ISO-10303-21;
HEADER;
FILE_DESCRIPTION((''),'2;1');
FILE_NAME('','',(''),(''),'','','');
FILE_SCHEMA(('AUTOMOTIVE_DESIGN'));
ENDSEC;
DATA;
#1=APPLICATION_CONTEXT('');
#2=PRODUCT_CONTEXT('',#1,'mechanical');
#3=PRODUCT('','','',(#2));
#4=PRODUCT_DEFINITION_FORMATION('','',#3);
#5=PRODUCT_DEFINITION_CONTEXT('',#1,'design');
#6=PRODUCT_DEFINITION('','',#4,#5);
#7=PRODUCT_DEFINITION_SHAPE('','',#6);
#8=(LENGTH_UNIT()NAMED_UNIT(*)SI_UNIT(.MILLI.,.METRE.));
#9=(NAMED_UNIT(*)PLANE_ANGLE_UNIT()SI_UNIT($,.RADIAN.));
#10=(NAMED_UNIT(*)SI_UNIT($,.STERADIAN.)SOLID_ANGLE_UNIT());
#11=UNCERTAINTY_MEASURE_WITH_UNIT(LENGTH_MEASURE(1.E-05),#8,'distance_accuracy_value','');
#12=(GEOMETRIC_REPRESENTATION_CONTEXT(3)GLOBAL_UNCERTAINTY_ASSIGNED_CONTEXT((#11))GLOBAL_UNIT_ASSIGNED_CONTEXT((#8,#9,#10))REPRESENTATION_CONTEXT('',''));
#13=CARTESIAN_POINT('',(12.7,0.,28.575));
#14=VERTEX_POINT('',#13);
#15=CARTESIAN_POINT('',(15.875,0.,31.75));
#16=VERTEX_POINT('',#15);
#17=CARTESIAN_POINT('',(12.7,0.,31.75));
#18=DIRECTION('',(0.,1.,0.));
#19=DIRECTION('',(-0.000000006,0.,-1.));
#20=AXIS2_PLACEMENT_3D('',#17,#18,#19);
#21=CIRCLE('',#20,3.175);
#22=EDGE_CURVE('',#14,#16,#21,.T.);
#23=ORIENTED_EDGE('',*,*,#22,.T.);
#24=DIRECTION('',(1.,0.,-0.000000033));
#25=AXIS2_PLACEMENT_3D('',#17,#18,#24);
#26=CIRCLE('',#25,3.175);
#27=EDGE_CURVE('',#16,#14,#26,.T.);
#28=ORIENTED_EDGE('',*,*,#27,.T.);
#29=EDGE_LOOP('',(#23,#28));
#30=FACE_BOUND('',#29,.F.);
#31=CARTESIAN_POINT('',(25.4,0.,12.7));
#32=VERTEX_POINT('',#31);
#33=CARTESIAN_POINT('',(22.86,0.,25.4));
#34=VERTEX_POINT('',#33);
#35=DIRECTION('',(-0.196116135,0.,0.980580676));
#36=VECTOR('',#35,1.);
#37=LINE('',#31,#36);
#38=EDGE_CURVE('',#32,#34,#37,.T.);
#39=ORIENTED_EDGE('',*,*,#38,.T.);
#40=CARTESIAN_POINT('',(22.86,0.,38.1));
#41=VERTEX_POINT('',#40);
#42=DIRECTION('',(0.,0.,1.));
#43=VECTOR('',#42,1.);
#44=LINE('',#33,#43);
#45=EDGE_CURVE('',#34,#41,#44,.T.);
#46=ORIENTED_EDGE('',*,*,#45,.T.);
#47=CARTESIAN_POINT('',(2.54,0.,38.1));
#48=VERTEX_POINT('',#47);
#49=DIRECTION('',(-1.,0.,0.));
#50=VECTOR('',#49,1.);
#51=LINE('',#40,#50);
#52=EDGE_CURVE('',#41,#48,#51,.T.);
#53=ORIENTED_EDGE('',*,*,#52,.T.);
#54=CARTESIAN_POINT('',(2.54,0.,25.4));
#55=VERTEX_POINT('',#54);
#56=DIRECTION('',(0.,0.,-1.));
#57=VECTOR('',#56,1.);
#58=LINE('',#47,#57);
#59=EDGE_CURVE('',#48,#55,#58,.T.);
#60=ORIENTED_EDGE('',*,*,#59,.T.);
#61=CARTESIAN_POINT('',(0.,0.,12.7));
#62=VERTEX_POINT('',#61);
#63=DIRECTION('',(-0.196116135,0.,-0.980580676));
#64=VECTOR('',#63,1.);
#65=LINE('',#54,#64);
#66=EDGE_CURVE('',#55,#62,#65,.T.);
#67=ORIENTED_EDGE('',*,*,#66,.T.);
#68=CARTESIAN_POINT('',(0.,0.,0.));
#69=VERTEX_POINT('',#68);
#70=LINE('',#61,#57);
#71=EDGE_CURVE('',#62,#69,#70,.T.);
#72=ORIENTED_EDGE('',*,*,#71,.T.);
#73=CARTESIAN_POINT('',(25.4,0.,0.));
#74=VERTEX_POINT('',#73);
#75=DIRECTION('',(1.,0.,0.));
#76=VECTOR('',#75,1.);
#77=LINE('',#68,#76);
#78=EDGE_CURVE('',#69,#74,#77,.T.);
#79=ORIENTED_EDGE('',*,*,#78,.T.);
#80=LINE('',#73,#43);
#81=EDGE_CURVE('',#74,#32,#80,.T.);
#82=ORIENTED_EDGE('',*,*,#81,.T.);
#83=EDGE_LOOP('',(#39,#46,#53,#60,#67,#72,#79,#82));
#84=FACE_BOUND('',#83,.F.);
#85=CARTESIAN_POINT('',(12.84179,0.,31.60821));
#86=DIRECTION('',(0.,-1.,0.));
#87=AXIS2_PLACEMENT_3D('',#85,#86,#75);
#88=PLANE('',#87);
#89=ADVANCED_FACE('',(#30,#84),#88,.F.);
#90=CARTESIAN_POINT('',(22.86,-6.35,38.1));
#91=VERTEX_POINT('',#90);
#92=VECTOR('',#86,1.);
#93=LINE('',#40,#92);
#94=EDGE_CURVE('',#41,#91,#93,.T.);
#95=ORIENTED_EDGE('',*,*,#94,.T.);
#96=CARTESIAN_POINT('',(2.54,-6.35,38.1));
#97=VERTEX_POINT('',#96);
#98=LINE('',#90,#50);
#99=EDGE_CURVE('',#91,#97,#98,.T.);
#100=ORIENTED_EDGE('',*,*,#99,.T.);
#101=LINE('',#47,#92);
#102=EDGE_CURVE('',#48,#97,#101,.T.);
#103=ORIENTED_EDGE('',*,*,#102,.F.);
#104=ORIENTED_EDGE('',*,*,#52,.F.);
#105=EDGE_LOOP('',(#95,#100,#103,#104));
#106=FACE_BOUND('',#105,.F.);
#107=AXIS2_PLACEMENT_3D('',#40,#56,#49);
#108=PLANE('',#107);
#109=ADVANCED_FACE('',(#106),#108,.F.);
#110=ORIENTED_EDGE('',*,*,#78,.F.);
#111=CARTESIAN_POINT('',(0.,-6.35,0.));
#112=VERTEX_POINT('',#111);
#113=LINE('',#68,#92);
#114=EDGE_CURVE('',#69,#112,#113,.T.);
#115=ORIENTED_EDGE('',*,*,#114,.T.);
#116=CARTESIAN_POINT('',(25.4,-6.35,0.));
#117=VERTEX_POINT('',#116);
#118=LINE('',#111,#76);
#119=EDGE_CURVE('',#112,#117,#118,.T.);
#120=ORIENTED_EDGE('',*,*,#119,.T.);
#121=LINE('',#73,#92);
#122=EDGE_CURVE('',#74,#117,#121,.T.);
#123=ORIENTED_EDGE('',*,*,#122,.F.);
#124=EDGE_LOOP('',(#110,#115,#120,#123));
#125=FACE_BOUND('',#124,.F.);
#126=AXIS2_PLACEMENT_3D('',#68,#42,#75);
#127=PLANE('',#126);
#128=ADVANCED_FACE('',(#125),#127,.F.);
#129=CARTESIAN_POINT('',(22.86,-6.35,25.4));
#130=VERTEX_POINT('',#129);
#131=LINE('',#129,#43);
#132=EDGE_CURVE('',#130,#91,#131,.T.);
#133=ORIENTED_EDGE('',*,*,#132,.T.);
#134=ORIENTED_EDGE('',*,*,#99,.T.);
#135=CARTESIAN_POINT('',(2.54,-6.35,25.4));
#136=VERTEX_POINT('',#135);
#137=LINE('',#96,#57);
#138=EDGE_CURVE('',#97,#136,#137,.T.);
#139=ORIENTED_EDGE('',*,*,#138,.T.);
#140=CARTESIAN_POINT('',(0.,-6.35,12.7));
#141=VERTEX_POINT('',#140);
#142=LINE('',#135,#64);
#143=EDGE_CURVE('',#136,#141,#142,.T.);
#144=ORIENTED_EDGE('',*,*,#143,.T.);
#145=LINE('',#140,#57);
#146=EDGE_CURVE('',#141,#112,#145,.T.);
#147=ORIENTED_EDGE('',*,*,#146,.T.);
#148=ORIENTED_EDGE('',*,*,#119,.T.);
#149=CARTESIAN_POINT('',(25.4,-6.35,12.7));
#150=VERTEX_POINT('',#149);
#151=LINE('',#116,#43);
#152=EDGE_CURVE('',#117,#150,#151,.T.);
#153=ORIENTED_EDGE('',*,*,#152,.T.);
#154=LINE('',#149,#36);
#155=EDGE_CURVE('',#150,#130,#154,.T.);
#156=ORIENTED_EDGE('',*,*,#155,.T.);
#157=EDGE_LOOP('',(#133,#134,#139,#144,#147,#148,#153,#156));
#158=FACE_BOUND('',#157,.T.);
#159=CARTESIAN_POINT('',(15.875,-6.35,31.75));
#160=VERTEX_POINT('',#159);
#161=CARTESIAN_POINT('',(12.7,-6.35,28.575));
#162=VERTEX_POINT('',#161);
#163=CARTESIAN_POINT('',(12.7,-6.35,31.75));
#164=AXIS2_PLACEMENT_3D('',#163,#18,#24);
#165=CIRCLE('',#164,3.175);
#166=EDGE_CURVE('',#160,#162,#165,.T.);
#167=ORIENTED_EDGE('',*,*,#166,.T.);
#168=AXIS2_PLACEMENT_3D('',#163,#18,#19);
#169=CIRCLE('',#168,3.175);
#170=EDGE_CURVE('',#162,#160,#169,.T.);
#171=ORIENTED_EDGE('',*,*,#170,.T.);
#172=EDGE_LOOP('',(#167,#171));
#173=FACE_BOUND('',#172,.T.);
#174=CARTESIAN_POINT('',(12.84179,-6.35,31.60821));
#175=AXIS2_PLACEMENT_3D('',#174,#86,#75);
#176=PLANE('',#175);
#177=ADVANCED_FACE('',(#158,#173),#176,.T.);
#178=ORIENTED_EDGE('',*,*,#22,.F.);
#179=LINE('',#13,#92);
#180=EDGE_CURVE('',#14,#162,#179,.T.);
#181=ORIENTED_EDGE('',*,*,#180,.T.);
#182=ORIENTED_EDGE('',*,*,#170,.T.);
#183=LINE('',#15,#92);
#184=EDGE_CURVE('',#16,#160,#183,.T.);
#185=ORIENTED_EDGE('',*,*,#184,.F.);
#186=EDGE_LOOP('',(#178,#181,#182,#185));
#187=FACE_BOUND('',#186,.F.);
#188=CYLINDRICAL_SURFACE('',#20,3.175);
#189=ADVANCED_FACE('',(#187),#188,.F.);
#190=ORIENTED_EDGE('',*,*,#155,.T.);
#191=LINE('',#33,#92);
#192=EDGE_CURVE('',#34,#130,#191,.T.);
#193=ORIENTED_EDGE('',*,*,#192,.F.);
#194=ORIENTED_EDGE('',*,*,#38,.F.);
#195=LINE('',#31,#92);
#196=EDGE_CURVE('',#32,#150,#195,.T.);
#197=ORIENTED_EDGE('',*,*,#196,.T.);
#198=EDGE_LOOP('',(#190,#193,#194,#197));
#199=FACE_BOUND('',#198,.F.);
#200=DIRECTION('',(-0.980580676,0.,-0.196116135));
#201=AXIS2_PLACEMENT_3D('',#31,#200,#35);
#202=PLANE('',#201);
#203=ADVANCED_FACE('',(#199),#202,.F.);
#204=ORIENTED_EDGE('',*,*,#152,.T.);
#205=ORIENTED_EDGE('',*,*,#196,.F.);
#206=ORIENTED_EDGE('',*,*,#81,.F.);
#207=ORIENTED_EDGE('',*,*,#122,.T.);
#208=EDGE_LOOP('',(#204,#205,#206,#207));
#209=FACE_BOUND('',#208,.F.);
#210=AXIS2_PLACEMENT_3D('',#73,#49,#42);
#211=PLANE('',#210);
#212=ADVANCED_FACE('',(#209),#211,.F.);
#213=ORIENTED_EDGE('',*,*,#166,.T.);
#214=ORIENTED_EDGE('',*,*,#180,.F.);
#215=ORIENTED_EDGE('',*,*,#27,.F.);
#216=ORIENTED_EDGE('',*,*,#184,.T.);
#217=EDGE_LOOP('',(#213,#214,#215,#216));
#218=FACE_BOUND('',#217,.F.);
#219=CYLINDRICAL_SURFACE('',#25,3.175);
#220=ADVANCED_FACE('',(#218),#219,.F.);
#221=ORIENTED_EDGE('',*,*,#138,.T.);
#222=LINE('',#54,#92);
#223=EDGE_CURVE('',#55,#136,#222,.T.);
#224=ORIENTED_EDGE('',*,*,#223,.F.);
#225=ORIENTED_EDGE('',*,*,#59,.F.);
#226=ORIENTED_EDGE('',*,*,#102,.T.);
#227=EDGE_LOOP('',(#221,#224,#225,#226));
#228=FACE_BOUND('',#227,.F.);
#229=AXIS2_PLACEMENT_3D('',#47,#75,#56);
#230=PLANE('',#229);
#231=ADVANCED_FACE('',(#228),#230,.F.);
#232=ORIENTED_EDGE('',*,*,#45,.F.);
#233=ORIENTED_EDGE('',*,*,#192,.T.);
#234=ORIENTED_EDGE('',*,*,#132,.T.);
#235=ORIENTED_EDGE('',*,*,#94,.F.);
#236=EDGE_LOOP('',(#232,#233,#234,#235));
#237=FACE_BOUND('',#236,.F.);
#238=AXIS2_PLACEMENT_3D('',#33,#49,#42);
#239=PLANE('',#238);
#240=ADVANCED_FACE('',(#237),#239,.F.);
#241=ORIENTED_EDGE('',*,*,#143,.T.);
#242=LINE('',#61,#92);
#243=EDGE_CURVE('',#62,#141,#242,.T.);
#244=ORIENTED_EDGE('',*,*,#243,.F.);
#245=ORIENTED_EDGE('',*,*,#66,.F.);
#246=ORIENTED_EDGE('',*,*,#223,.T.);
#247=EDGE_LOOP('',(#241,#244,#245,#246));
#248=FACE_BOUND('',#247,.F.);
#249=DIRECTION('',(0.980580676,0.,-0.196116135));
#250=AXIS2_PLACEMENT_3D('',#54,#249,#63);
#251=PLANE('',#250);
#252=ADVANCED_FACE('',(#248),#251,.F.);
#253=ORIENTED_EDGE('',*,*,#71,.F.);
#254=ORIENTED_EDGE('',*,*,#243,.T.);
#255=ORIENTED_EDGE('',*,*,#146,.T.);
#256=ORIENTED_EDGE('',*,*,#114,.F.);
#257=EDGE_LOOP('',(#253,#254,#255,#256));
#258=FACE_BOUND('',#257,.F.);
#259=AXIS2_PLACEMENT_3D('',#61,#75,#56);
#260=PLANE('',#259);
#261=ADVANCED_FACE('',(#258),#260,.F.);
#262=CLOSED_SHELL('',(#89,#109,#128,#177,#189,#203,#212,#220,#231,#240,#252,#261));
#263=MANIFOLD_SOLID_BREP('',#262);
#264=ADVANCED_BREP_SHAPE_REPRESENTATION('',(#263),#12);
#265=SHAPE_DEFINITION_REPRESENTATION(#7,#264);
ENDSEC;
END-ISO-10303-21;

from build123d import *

# Parameters (mm, degrees)
F1_DEPTH = 6.35


with BuildPart() as f1:
    # F0 (on Front) → F1 (new body)
    with BuildSketch(Plane.XZ):
        with BuildLine():
            ThreePointArc((15.875, 31.75), (10.454936, 33.995064), (12.7, 28.575))
            ThreePointArc((12.7, 28.575), (14.945064, 29.504936), (15.875, 31.75))
        make_face()
        Polygon((0, 12.7), (0, 0), (12.7, 0), (25.4, 0), (25.4, 12.7), (22.86, 25.4), (22.86, 38.1), (2.54, 38.1), (2.54, 25.4), align=None)
        with BuildLine():
            ThreePointArc((15.875, 31.75), (14.945064, 29.504936), (12.7, 28.575))
            ThreePointArc((12.7, 28.575), (10.454936, 33.995064), (15.875, 31.75))
        make_face(mode=Mode.SUBTRACT)
    extrude(amount=F1_DEPTH)


solid = f1.part
